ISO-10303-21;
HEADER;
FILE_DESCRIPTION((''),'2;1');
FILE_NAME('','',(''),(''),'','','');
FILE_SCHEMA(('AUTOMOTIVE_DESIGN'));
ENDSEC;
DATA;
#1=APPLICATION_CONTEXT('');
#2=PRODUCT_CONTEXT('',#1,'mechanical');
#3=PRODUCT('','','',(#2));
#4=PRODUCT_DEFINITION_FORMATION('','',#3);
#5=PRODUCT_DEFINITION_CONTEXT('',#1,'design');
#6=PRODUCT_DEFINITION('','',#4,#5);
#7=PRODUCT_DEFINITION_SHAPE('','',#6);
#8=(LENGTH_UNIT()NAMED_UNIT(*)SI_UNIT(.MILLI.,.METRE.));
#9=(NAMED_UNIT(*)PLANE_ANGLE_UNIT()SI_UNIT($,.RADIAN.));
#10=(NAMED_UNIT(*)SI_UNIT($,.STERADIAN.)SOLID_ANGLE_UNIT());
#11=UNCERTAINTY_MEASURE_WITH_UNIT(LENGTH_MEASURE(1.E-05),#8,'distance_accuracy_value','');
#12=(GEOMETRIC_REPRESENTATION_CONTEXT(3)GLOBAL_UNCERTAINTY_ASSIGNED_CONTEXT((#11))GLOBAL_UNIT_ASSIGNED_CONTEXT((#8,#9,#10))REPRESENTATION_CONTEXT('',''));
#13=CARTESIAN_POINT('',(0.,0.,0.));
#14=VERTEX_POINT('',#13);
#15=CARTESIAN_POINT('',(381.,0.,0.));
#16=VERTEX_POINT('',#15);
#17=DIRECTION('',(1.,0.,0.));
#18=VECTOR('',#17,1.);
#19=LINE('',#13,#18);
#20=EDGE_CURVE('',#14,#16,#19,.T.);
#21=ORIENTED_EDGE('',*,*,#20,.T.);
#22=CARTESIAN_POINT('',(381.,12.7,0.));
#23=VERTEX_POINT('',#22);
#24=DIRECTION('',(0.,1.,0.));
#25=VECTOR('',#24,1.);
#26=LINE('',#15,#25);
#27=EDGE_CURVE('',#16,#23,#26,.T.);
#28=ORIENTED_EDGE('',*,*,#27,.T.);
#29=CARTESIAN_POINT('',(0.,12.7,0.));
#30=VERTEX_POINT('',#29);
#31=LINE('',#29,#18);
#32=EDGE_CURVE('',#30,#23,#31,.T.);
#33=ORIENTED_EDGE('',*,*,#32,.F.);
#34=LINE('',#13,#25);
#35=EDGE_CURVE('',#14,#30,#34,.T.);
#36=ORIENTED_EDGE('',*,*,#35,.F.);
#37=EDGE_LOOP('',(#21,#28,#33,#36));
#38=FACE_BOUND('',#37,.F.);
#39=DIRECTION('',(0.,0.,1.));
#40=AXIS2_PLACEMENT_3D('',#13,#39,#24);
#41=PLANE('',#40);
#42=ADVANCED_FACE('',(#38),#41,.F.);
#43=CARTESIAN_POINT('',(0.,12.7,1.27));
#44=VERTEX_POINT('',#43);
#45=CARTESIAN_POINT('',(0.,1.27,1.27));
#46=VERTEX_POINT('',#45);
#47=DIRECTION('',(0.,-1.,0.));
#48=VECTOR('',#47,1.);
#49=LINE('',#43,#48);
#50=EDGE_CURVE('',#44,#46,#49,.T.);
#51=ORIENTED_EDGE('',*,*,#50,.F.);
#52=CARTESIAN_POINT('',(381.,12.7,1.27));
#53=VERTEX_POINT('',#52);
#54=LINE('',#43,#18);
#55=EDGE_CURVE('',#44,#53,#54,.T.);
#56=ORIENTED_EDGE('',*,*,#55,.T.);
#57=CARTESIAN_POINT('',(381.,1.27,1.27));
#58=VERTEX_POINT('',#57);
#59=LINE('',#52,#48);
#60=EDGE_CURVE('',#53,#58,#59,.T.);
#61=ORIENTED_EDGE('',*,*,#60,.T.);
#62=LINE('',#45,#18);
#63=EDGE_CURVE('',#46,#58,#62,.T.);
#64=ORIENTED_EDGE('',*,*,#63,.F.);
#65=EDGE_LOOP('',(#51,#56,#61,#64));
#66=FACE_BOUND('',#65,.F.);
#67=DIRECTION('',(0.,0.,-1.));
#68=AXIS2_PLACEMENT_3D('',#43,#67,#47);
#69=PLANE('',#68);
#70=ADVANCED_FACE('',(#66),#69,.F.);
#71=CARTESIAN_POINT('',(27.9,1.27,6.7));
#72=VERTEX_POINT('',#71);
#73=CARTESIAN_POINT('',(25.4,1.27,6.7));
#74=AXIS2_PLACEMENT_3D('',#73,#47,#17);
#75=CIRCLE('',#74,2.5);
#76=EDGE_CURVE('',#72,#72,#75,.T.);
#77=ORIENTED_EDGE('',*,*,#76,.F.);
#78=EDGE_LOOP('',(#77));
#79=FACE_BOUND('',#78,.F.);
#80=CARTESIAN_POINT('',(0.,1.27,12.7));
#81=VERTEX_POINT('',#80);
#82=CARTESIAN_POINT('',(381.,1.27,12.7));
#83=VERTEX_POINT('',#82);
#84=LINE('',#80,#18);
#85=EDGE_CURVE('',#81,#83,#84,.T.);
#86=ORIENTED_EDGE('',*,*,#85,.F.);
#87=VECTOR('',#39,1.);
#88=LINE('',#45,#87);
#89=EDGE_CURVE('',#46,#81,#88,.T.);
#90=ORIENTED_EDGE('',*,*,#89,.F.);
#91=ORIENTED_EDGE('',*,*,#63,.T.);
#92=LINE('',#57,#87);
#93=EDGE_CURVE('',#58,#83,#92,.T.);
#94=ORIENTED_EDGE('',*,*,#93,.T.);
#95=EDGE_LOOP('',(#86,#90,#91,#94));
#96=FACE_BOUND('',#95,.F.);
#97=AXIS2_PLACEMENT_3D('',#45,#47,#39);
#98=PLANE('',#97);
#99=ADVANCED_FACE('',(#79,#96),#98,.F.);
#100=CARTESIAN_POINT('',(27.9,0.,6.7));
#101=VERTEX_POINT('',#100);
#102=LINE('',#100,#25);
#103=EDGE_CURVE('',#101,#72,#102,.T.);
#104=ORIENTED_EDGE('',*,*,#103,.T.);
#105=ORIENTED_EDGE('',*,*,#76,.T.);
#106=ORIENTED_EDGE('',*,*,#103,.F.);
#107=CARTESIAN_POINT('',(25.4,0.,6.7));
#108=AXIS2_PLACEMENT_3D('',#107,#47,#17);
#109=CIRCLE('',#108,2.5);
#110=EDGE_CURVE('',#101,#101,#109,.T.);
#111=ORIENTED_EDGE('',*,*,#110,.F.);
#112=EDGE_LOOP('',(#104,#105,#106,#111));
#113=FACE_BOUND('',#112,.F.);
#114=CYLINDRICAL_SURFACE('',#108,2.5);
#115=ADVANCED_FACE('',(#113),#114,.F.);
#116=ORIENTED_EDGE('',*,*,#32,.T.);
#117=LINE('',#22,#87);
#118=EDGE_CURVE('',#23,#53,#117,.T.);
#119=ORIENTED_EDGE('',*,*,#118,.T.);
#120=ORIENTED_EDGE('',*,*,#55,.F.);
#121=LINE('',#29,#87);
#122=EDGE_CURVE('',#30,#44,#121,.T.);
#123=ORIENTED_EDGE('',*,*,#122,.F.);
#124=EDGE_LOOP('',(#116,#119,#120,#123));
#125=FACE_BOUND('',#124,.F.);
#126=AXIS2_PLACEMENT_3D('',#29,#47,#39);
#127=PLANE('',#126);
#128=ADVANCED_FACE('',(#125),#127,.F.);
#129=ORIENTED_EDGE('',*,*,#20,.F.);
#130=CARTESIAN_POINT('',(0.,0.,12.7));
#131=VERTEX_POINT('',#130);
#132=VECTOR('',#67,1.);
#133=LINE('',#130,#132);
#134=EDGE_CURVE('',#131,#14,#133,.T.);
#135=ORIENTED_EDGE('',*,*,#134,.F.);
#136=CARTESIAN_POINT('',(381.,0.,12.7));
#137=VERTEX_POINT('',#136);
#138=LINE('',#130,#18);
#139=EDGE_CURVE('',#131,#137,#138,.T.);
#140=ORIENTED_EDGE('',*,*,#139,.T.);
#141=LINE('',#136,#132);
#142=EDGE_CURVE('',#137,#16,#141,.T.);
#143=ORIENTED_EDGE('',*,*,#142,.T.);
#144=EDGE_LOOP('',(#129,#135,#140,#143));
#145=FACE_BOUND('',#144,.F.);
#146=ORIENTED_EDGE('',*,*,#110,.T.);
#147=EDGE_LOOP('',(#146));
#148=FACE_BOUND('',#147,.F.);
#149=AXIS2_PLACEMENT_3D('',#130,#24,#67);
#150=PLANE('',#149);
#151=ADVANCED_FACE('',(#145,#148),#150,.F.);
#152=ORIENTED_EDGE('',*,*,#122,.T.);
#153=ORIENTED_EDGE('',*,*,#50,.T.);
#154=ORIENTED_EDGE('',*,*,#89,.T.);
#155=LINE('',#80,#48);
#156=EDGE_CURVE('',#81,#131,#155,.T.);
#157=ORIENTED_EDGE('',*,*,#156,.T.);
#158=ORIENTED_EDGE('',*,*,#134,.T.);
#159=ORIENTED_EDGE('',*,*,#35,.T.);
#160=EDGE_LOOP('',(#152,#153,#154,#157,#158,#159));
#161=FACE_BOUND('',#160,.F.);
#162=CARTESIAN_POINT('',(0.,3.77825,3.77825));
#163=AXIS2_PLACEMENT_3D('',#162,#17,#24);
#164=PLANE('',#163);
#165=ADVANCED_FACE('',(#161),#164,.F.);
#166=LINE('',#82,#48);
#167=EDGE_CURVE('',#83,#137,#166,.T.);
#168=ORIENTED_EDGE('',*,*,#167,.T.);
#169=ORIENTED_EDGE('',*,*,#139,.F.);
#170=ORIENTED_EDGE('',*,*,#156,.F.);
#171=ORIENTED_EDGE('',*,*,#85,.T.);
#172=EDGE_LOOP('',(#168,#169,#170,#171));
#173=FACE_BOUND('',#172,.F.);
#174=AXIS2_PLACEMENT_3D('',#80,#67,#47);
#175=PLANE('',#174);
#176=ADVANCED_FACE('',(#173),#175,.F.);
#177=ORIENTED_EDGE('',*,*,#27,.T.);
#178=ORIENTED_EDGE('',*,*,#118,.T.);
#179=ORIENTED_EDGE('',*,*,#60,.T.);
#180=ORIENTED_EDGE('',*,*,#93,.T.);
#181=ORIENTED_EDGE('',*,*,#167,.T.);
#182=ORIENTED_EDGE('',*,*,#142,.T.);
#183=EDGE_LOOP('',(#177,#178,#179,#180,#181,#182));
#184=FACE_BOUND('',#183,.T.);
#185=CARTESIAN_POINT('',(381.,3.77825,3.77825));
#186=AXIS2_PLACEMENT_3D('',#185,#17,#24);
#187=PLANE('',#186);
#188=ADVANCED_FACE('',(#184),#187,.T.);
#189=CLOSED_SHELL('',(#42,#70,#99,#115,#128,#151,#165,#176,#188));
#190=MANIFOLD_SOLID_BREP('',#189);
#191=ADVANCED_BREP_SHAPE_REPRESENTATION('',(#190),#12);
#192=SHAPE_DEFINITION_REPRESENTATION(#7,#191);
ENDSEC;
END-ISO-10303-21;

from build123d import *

# Parameters (mm, degrees)
F1_DEPTH = 381
F2_R     = 2.5
F3_DEPTH = 25.4


with BuildPart() as f1:
    # F0 (on Right) → F1 (new body)
    with BuildSketch(Plane.YZ):
        Polygon((0, 12.7), (0, 0), (12.7, 0), (12.7, 1.27), (1.27, 1.27), (1.27, 12.7), align=None)
    extrude(amount=F1_DEPTH)

    # F2 (on face) → F3 (cut)
    with BuildSketch(Plane.XZ):
        with Locations((25.4, 6.7)):
            Circle(F2_R)
    extrude(amount=-F3_DEPTH, mode=Mode.SUBTRACT)


solid = f1.part
